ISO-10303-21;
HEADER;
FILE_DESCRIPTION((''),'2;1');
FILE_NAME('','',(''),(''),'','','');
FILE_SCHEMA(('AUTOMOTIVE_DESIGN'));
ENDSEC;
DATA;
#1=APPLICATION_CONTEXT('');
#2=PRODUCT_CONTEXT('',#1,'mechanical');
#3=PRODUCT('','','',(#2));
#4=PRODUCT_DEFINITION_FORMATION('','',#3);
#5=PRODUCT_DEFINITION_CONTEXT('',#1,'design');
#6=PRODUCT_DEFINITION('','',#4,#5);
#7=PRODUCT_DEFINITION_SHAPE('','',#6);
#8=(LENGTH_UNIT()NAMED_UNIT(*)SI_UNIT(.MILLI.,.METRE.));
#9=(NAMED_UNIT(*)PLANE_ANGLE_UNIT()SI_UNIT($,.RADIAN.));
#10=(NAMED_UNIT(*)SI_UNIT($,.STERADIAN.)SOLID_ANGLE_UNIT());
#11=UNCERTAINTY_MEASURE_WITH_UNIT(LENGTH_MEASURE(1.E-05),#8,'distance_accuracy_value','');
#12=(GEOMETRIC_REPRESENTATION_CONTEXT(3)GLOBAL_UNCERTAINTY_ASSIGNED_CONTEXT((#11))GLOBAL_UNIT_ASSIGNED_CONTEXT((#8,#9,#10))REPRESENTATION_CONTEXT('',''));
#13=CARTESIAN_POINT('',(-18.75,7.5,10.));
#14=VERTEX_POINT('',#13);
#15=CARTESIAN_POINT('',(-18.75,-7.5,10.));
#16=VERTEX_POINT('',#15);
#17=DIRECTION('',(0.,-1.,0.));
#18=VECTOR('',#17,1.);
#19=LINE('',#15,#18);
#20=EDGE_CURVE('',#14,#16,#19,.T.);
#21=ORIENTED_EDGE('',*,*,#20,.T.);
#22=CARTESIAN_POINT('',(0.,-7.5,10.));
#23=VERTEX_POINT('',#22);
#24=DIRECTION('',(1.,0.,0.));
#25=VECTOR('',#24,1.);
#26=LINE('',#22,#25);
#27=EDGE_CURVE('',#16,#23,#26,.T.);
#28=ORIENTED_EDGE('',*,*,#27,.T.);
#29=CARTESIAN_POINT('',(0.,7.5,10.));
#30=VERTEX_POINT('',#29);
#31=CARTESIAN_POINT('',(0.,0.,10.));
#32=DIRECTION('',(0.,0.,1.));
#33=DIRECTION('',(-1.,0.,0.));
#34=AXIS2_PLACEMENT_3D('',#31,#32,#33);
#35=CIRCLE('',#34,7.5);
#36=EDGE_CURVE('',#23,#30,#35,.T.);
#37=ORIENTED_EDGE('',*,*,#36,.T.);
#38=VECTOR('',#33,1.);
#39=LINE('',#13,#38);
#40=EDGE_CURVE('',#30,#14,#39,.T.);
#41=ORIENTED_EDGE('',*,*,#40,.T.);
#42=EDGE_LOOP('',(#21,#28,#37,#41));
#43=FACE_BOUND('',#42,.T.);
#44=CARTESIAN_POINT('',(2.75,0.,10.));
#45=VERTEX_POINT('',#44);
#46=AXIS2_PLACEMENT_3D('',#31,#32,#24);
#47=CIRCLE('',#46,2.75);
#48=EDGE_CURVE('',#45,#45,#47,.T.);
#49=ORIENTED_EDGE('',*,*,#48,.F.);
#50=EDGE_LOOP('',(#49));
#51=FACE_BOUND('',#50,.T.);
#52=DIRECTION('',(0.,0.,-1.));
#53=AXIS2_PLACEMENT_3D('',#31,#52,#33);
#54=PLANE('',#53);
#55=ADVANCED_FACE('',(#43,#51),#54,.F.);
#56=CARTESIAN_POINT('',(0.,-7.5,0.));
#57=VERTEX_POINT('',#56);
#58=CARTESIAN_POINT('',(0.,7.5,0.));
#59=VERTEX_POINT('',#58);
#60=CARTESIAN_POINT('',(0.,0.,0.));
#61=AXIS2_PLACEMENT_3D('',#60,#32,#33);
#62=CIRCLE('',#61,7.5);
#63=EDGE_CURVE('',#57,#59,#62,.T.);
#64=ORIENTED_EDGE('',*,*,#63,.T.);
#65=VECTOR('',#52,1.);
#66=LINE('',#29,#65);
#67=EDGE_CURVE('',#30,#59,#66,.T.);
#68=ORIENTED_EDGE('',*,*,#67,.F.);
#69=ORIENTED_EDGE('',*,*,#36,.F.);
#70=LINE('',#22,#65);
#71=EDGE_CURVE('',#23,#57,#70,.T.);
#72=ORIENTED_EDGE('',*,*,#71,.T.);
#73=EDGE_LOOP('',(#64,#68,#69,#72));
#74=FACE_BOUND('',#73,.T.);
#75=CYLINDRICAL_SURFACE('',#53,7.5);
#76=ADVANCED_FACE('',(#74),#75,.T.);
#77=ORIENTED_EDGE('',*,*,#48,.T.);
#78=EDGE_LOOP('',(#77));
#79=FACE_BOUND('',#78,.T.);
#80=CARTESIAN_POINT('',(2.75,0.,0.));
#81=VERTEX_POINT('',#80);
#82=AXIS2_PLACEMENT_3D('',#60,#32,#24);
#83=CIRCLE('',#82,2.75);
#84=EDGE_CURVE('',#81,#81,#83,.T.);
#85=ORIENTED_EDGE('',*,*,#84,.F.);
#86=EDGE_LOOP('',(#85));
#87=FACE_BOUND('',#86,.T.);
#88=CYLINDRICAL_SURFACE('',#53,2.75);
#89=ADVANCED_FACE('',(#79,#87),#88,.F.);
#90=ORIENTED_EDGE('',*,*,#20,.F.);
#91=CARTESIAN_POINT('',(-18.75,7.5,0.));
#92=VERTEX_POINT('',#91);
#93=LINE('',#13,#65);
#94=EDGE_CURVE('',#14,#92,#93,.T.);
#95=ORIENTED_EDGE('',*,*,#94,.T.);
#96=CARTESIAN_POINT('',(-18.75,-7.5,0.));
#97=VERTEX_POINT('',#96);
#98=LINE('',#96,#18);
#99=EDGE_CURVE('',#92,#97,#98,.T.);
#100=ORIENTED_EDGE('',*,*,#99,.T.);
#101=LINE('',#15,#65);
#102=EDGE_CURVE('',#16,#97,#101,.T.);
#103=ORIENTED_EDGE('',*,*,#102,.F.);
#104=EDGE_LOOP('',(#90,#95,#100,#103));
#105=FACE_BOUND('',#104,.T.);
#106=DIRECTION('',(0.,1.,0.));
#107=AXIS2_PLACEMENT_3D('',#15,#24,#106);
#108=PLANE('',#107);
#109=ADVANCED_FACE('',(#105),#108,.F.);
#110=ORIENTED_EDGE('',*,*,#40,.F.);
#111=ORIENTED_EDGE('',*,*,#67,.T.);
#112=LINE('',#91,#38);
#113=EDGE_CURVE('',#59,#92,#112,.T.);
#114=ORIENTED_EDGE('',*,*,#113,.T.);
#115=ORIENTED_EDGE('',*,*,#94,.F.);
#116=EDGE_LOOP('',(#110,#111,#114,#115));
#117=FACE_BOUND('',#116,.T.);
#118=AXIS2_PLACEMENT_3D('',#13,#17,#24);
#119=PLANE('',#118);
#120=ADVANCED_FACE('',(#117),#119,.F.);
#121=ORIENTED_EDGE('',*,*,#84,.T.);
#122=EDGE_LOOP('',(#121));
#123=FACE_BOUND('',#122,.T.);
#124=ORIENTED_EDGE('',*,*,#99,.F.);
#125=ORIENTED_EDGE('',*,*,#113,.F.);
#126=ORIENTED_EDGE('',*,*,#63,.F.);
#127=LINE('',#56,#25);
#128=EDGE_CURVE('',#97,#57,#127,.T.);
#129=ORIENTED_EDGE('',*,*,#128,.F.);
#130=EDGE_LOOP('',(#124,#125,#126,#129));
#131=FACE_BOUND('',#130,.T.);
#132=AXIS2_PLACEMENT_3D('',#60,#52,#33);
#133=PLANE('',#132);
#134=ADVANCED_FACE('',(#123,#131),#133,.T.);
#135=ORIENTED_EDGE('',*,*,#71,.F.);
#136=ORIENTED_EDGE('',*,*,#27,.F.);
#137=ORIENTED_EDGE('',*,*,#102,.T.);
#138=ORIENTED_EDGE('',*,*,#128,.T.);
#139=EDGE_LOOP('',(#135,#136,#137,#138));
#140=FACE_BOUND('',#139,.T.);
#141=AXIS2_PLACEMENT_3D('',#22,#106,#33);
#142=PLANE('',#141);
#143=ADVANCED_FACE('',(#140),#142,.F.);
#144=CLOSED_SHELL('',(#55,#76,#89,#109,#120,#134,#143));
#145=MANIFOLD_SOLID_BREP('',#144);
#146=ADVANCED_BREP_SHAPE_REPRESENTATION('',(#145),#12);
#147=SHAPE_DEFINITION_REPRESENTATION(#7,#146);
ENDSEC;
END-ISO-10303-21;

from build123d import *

# Parameters (mm, degrees)
SKIZZE1_R                       = 2.75
AUFSATZ_LINEAR_AUSTRAGEN1_DEPTH = 10


with BuildPart() as part:
    # Skizze1 → Aufsatz-Linear austragen1 (new body)
    with BuildSketch(Plane.XY):
        with BuildLine():
            Line((0, -7.5), (-18.75, -7.5))
            Line((-18.75, -7.5), (-18.75, 7.5))
            Line((-18.75, 7.5), (0, 7.5))
            ThreePointArc((0, 7.5), (7.5, 0), (0, -7.5))
        make_face()
        Circle(SKIZZE1_R, mode=Mode.SUBTRACT)
    extrude(amount=AUFSATZ_LINEAR_AUSTRAGEN1_DEPTH)


solid = part.part
